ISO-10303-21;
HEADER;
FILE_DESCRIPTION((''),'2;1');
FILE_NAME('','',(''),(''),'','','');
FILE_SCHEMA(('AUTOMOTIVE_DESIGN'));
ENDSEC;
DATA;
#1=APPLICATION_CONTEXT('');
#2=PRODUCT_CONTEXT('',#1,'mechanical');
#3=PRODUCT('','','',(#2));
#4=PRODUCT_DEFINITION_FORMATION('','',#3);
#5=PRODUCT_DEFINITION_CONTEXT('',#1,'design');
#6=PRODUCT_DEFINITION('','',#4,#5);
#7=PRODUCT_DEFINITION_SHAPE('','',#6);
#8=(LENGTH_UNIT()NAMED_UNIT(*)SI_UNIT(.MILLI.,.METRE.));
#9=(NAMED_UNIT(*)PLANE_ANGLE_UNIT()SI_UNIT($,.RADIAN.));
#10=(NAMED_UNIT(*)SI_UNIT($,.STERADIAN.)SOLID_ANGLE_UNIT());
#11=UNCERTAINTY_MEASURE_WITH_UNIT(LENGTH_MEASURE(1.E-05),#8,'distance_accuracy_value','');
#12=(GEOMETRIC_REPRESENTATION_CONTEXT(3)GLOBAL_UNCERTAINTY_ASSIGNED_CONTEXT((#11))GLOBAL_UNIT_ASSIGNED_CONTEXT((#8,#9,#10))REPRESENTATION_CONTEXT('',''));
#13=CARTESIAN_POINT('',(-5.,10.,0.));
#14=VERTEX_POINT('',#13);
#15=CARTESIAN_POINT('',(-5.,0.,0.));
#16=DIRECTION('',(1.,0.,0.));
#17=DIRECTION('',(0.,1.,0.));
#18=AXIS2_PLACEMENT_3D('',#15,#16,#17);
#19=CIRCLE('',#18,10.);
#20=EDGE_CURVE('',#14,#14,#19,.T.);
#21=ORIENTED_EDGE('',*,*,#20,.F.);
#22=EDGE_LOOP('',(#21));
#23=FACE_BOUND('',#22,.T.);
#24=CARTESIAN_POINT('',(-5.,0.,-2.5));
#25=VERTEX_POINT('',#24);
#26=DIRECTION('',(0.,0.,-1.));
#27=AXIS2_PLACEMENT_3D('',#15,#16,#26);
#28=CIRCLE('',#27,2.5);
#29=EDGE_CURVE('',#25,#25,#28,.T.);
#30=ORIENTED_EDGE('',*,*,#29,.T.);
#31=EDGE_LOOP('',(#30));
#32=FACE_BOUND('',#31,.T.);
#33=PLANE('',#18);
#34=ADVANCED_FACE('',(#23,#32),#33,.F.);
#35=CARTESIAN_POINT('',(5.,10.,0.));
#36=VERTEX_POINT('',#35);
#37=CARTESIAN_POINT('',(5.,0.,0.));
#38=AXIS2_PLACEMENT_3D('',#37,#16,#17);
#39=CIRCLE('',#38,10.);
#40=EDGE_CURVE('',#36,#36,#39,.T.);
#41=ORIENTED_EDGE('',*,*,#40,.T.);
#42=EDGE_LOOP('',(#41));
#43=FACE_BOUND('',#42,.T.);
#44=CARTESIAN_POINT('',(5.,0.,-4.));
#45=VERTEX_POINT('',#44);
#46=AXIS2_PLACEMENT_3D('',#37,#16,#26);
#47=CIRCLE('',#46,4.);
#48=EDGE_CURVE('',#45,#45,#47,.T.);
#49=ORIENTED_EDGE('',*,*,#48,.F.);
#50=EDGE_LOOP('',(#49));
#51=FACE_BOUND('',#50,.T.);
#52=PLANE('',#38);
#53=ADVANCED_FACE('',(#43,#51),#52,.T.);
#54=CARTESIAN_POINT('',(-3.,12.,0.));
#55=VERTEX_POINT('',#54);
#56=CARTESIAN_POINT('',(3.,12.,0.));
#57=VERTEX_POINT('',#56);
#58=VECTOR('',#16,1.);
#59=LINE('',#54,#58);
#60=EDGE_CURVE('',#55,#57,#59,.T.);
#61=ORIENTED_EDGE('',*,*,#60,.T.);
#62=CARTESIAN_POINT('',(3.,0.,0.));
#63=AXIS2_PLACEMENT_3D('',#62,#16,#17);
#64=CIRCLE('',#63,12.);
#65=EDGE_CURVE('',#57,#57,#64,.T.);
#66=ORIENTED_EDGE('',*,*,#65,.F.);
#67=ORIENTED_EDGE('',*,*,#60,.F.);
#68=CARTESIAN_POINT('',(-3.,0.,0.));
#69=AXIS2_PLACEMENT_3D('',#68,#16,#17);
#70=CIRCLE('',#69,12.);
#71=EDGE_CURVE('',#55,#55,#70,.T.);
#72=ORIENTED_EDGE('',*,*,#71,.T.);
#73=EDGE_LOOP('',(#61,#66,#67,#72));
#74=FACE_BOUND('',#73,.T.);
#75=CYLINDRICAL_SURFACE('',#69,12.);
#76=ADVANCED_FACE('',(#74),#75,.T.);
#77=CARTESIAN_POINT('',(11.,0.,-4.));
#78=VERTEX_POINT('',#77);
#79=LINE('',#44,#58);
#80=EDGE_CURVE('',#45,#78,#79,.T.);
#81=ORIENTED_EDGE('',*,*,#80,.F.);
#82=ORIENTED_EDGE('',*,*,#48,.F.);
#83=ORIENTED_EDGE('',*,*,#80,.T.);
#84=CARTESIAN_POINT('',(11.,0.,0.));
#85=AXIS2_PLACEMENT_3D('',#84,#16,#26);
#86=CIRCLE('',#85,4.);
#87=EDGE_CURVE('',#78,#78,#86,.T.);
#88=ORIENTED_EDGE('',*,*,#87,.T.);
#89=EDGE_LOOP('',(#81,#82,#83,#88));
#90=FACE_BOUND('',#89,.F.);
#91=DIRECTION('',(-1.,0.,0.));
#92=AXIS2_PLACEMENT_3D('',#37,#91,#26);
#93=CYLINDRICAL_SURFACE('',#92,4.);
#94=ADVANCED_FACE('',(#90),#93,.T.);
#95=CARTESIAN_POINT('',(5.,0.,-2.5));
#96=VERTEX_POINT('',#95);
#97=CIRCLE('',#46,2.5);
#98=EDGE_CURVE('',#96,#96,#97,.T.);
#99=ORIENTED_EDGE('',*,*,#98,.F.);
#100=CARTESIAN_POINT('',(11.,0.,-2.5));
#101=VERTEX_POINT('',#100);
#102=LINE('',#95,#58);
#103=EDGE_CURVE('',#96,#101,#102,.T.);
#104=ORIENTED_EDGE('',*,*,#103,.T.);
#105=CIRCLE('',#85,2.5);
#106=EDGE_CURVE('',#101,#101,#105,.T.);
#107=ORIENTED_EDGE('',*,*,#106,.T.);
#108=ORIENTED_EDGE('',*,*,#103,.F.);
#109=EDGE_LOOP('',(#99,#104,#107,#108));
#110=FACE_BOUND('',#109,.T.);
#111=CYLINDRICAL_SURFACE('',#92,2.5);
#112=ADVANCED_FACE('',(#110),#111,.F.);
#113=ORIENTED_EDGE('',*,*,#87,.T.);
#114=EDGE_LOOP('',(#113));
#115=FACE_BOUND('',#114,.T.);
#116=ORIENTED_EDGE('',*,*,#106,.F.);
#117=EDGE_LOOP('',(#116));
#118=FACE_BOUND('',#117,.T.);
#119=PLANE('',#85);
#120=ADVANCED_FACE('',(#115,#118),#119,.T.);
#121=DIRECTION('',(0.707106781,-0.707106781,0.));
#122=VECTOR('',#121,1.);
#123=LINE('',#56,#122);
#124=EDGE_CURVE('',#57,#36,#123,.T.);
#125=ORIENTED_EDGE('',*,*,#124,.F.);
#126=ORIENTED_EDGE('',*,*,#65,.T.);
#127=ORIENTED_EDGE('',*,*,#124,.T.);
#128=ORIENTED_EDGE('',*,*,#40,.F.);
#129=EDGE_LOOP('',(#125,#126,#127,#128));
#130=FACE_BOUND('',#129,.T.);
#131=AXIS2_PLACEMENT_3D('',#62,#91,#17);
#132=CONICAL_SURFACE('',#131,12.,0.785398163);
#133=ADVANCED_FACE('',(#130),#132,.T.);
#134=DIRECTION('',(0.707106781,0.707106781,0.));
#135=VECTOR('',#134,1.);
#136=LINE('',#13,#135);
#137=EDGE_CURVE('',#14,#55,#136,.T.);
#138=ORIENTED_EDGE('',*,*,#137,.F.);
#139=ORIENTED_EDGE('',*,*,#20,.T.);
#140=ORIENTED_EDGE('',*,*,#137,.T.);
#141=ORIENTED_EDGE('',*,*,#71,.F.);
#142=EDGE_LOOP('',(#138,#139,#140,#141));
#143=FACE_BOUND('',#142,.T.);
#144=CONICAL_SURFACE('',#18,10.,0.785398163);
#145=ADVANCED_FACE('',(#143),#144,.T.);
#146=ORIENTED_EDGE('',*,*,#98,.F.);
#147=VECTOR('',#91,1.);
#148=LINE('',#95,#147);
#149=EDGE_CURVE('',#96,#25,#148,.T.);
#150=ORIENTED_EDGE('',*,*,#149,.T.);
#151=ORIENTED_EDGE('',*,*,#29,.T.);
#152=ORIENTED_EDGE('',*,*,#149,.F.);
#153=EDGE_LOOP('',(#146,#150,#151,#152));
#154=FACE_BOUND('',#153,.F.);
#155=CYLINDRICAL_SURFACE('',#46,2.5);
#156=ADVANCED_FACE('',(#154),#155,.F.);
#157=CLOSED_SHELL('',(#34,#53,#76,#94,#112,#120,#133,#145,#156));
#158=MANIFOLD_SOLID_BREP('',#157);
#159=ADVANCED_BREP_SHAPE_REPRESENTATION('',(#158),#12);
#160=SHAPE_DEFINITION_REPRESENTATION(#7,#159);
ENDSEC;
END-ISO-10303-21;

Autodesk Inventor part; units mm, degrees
ref_plane "YZ Plane" through (0, 0, 0) normal (1, 0, 0) x (0, 1, 0)
ref_plane "XZ Plane" through (0, 0, 0) normal (0, 1, 0) x (-1, 0, 0)
ref_plane "XY Plane" through (0, 0, 0) normal (0, 0, 1) x (1, 0, 0)
sketch "Sketch1" plane through (0, 0, 0) normal (0, 0, 1) x (1, 0, 0)
  line L0 (-5, 0) -> (5, 0)
  line L1 (-5, 0) -> (-5, 10)
  line L2 (-5, 10) -> (-3, 12)
  line L3 (-3, 12) -> (3, 12)
  line L4 (3, 12) -> (5, 10)
  line L5 (5, 10) -> (5, 0)
  point P0 (0, 0)
  point P1 (0, 0)
  point P2 (0, 12)
  dimension "d0" = 10
  dimension "d1" = 24
  dimension "d2" = 6
  dimension "d3" = 20
revolve "Revolution1" add sketch "Sketch1" angle 360 about axis through (-5, 0, 0) along (1, 0, 0)
sketch "Sketch2" plane through (5, 0, 0) normal (1, 0, 0) x (0, 0, -1)
  circle A0 centre (0, 0) radius 2.5
  dimension "d5" = 5
extrude "Extrusion1" cut sketch "Sketch2" against normal through all
sketch "Sketch3" plane through (5, 0, 0) normal (1, 0, 0) x (0, 0, -1)
  circle A0 centre (0, 0) radius 4
  circle A1 centre (0, 0) radius 2.5 projected
  dimension "d8" = 8
extrude "Extrusion2" add sketch "Sketch3" along normal blind 6
properties part number "wheel"
